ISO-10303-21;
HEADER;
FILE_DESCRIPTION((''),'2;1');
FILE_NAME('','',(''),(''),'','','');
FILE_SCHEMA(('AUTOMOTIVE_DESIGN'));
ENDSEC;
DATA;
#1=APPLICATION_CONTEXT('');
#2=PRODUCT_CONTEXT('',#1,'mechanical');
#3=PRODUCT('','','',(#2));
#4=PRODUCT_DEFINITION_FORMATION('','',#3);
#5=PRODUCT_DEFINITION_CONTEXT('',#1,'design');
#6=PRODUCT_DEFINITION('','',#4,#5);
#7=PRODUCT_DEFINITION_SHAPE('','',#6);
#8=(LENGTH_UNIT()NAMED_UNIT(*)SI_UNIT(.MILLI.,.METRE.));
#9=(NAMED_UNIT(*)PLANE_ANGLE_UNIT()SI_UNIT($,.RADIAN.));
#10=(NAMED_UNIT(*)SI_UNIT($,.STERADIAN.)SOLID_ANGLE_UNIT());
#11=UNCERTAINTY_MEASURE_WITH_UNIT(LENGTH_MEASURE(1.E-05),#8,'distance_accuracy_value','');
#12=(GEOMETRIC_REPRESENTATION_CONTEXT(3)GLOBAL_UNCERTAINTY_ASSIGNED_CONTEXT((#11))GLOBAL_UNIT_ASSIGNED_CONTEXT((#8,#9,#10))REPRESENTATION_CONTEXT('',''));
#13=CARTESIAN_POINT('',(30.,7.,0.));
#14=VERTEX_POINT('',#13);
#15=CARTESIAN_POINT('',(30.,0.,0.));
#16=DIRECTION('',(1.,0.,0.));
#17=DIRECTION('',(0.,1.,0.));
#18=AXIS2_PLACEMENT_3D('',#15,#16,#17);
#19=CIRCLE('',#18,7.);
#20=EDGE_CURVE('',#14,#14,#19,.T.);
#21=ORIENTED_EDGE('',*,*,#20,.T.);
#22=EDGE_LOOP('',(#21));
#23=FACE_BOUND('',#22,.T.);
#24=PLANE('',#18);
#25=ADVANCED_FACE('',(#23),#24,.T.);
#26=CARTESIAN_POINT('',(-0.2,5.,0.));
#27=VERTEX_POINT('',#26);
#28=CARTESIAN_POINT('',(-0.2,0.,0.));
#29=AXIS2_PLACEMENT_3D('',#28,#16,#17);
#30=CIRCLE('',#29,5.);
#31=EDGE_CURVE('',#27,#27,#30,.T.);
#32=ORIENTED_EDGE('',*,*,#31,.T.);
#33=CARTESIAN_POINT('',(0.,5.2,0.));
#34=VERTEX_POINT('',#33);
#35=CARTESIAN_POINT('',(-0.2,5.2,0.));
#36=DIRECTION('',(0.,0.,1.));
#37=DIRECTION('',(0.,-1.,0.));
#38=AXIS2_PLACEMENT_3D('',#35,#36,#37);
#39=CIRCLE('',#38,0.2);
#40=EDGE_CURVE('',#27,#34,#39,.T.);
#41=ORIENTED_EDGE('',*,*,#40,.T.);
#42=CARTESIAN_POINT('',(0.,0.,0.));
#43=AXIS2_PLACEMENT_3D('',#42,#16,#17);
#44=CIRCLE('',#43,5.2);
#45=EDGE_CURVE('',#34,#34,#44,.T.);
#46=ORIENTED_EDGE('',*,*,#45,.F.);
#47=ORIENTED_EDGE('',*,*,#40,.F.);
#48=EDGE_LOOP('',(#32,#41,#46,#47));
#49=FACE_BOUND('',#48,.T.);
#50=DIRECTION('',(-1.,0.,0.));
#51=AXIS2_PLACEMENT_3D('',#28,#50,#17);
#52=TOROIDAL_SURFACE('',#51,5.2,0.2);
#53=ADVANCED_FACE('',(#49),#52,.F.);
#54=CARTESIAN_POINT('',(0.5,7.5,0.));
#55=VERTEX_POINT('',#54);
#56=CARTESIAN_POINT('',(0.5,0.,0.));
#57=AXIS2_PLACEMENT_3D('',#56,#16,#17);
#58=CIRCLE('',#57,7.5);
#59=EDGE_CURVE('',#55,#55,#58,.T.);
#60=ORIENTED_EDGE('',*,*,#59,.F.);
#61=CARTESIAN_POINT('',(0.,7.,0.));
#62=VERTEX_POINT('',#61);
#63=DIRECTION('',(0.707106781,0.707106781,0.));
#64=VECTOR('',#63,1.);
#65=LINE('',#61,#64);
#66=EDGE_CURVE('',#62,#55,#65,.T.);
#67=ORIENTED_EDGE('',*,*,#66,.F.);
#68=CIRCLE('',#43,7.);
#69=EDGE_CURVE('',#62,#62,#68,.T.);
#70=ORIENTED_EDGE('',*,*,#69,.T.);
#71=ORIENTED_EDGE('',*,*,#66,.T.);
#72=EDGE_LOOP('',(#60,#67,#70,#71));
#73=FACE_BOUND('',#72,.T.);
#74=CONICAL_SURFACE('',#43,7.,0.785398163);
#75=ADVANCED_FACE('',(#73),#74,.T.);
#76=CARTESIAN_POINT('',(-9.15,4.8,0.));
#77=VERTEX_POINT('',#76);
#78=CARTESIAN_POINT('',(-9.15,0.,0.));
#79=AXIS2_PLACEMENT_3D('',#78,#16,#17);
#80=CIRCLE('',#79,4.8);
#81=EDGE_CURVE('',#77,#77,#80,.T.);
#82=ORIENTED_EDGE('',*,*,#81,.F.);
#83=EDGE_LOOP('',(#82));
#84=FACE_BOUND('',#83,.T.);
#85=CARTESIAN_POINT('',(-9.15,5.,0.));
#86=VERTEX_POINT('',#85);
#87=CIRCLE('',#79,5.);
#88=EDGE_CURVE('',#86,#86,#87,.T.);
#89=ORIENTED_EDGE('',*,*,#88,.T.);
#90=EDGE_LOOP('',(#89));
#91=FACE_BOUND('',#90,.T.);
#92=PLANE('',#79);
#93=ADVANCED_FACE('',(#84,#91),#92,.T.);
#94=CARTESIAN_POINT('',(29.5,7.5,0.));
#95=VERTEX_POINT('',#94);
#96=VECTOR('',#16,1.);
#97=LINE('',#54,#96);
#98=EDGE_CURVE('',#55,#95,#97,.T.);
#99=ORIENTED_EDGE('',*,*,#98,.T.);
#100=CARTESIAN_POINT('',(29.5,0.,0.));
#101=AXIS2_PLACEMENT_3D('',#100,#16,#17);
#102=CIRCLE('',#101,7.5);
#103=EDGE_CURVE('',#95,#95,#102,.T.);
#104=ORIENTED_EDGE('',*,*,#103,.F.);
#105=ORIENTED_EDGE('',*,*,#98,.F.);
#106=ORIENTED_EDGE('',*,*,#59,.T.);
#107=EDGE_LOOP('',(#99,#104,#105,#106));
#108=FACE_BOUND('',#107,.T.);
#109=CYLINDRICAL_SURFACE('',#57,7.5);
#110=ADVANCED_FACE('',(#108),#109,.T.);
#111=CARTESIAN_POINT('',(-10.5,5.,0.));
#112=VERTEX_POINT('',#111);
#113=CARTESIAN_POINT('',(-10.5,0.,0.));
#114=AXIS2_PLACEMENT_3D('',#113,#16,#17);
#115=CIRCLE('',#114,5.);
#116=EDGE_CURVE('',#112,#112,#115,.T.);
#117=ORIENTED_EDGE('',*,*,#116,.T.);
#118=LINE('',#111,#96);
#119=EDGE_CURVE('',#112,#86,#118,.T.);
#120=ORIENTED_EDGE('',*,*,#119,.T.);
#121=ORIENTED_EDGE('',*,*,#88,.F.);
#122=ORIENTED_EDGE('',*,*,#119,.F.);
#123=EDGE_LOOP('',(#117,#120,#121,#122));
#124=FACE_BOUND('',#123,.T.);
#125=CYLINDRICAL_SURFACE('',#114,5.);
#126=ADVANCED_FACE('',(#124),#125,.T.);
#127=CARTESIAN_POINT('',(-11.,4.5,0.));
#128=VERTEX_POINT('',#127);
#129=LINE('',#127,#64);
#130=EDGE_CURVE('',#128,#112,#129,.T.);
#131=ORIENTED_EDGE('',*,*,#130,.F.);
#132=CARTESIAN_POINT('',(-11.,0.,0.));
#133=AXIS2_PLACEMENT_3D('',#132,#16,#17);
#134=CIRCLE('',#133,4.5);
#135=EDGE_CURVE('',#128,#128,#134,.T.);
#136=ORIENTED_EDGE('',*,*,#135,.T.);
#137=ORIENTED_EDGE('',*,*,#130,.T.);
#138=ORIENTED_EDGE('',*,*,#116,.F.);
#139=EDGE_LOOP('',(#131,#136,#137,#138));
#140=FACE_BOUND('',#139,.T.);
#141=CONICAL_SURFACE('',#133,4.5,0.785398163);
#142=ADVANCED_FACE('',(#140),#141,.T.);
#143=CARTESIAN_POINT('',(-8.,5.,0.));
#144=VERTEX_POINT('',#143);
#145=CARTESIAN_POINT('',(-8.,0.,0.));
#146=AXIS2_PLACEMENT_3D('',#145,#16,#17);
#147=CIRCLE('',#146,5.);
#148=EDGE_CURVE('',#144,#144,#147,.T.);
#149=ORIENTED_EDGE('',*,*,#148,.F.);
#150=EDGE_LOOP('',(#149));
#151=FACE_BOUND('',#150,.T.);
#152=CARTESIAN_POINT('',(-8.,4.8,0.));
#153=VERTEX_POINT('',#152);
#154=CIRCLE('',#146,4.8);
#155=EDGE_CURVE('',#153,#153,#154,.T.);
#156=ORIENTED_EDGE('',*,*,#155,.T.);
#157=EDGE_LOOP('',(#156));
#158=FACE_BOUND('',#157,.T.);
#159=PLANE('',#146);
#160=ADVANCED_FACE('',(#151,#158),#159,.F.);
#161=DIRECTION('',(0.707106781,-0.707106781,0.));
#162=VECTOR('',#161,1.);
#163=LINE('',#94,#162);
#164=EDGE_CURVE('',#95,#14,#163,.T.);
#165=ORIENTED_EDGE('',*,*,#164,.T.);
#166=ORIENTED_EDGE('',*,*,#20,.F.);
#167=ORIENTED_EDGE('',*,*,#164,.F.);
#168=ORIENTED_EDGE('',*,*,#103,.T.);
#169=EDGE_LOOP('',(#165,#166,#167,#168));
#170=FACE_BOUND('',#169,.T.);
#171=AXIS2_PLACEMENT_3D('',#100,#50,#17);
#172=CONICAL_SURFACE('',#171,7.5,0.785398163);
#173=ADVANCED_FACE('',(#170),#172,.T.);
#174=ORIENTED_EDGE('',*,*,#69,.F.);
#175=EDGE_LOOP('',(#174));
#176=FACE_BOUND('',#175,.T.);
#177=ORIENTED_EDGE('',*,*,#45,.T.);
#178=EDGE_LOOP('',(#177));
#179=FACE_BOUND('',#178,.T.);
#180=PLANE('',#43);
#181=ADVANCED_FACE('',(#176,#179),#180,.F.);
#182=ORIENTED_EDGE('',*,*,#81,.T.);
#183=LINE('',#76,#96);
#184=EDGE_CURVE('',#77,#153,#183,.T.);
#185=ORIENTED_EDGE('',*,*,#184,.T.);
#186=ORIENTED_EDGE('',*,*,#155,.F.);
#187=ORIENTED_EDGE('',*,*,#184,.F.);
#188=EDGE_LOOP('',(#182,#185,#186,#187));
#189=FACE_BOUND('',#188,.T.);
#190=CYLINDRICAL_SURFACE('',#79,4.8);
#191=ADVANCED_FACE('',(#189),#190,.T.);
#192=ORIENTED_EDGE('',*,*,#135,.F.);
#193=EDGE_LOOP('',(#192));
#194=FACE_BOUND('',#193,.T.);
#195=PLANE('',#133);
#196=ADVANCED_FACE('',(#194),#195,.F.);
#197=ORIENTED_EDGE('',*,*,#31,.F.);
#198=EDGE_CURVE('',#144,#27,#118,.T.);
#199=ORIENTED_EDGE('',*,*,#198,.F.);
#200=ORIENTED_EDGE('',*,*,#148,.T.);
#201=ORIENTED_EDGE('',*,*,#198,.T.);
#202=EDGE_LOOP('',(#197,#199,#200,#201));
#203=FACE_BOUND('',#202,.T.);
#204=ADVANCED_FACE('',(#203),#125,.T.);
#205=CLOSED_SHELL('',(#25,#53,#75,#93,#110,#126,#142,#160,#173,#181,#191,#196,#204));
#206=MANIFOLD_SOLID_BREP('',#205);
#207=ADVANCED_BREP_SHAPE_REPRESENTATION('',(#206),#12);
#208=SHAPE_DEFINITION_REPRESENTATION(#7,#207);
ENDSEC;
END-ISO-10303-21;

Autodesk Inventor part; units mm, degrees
ref_plane "YZ Plane" through (0, 0, 0) normal (1, 0, 0) x (0, 1, 0)
ref_plane "XZ Plane" through (0, 0, 0) normal (0, 1, 0) x (-1, 0, 0)
ref_plane "XY Plane" through (0, 0, 0) normal (0, 0, 1) x (1, 0, 0)
sketch "Sketch_1" plane through (0, 0, 0) normal (0, 0, 1) x (1, 0, 0)
  line L0 (30, 0) -> (-11, 0)
  line L1 (-11, 0) -> (-11, 4.5)
  line L2 (-11, 4.5) -> (-10.5, 5)
  line L3 (-10.5, 5) -> (-0.2, 5)
  arc A0 (-0.2, 5) -> (0, 5.2) centre (-0.2, 5.2) ccw
  line L4 (0, 5.2) -> (0, 7)
  line L5 (0, 7) -> (0.5, 7.5)
  line L6 (0.5, 7.5) -> (29.5, 7.5)
  line L7 (29.5, 7.5) -> (30, 7)
  line L8 (30, 7) -> (30, 0)
  line L9 (30, 0) -> (-11, 0)
revolve "Revolution1" add sketch "Sketch_1" angle 360 about axis through (30, 0, 0) along (1, 0, 0)
sketch "Sketch_40" plane through (0, 0, 0) normal (0, 0, 1) x (1, 0, 0)
  line L0 (1000, 0) -> (-1000, 0)
  line L1 (-9.15, 4.8) -> (-8, 4.8)
  line L2 (-8, 4.8) -> (-8, 20)
  line L3 (-8, 20) -> (-9.15, 20)
  line L4 (-9.15, 20) -> (-9.15, 4.8)
revolve "Revolution2" cut sketch "Sketch_40" angle 360 about axis through (1000, 0, 0) along (1, 0, 0)
properties part number "PSFRX15-30-F11-B3-P10" material "ステンレス鋼"
